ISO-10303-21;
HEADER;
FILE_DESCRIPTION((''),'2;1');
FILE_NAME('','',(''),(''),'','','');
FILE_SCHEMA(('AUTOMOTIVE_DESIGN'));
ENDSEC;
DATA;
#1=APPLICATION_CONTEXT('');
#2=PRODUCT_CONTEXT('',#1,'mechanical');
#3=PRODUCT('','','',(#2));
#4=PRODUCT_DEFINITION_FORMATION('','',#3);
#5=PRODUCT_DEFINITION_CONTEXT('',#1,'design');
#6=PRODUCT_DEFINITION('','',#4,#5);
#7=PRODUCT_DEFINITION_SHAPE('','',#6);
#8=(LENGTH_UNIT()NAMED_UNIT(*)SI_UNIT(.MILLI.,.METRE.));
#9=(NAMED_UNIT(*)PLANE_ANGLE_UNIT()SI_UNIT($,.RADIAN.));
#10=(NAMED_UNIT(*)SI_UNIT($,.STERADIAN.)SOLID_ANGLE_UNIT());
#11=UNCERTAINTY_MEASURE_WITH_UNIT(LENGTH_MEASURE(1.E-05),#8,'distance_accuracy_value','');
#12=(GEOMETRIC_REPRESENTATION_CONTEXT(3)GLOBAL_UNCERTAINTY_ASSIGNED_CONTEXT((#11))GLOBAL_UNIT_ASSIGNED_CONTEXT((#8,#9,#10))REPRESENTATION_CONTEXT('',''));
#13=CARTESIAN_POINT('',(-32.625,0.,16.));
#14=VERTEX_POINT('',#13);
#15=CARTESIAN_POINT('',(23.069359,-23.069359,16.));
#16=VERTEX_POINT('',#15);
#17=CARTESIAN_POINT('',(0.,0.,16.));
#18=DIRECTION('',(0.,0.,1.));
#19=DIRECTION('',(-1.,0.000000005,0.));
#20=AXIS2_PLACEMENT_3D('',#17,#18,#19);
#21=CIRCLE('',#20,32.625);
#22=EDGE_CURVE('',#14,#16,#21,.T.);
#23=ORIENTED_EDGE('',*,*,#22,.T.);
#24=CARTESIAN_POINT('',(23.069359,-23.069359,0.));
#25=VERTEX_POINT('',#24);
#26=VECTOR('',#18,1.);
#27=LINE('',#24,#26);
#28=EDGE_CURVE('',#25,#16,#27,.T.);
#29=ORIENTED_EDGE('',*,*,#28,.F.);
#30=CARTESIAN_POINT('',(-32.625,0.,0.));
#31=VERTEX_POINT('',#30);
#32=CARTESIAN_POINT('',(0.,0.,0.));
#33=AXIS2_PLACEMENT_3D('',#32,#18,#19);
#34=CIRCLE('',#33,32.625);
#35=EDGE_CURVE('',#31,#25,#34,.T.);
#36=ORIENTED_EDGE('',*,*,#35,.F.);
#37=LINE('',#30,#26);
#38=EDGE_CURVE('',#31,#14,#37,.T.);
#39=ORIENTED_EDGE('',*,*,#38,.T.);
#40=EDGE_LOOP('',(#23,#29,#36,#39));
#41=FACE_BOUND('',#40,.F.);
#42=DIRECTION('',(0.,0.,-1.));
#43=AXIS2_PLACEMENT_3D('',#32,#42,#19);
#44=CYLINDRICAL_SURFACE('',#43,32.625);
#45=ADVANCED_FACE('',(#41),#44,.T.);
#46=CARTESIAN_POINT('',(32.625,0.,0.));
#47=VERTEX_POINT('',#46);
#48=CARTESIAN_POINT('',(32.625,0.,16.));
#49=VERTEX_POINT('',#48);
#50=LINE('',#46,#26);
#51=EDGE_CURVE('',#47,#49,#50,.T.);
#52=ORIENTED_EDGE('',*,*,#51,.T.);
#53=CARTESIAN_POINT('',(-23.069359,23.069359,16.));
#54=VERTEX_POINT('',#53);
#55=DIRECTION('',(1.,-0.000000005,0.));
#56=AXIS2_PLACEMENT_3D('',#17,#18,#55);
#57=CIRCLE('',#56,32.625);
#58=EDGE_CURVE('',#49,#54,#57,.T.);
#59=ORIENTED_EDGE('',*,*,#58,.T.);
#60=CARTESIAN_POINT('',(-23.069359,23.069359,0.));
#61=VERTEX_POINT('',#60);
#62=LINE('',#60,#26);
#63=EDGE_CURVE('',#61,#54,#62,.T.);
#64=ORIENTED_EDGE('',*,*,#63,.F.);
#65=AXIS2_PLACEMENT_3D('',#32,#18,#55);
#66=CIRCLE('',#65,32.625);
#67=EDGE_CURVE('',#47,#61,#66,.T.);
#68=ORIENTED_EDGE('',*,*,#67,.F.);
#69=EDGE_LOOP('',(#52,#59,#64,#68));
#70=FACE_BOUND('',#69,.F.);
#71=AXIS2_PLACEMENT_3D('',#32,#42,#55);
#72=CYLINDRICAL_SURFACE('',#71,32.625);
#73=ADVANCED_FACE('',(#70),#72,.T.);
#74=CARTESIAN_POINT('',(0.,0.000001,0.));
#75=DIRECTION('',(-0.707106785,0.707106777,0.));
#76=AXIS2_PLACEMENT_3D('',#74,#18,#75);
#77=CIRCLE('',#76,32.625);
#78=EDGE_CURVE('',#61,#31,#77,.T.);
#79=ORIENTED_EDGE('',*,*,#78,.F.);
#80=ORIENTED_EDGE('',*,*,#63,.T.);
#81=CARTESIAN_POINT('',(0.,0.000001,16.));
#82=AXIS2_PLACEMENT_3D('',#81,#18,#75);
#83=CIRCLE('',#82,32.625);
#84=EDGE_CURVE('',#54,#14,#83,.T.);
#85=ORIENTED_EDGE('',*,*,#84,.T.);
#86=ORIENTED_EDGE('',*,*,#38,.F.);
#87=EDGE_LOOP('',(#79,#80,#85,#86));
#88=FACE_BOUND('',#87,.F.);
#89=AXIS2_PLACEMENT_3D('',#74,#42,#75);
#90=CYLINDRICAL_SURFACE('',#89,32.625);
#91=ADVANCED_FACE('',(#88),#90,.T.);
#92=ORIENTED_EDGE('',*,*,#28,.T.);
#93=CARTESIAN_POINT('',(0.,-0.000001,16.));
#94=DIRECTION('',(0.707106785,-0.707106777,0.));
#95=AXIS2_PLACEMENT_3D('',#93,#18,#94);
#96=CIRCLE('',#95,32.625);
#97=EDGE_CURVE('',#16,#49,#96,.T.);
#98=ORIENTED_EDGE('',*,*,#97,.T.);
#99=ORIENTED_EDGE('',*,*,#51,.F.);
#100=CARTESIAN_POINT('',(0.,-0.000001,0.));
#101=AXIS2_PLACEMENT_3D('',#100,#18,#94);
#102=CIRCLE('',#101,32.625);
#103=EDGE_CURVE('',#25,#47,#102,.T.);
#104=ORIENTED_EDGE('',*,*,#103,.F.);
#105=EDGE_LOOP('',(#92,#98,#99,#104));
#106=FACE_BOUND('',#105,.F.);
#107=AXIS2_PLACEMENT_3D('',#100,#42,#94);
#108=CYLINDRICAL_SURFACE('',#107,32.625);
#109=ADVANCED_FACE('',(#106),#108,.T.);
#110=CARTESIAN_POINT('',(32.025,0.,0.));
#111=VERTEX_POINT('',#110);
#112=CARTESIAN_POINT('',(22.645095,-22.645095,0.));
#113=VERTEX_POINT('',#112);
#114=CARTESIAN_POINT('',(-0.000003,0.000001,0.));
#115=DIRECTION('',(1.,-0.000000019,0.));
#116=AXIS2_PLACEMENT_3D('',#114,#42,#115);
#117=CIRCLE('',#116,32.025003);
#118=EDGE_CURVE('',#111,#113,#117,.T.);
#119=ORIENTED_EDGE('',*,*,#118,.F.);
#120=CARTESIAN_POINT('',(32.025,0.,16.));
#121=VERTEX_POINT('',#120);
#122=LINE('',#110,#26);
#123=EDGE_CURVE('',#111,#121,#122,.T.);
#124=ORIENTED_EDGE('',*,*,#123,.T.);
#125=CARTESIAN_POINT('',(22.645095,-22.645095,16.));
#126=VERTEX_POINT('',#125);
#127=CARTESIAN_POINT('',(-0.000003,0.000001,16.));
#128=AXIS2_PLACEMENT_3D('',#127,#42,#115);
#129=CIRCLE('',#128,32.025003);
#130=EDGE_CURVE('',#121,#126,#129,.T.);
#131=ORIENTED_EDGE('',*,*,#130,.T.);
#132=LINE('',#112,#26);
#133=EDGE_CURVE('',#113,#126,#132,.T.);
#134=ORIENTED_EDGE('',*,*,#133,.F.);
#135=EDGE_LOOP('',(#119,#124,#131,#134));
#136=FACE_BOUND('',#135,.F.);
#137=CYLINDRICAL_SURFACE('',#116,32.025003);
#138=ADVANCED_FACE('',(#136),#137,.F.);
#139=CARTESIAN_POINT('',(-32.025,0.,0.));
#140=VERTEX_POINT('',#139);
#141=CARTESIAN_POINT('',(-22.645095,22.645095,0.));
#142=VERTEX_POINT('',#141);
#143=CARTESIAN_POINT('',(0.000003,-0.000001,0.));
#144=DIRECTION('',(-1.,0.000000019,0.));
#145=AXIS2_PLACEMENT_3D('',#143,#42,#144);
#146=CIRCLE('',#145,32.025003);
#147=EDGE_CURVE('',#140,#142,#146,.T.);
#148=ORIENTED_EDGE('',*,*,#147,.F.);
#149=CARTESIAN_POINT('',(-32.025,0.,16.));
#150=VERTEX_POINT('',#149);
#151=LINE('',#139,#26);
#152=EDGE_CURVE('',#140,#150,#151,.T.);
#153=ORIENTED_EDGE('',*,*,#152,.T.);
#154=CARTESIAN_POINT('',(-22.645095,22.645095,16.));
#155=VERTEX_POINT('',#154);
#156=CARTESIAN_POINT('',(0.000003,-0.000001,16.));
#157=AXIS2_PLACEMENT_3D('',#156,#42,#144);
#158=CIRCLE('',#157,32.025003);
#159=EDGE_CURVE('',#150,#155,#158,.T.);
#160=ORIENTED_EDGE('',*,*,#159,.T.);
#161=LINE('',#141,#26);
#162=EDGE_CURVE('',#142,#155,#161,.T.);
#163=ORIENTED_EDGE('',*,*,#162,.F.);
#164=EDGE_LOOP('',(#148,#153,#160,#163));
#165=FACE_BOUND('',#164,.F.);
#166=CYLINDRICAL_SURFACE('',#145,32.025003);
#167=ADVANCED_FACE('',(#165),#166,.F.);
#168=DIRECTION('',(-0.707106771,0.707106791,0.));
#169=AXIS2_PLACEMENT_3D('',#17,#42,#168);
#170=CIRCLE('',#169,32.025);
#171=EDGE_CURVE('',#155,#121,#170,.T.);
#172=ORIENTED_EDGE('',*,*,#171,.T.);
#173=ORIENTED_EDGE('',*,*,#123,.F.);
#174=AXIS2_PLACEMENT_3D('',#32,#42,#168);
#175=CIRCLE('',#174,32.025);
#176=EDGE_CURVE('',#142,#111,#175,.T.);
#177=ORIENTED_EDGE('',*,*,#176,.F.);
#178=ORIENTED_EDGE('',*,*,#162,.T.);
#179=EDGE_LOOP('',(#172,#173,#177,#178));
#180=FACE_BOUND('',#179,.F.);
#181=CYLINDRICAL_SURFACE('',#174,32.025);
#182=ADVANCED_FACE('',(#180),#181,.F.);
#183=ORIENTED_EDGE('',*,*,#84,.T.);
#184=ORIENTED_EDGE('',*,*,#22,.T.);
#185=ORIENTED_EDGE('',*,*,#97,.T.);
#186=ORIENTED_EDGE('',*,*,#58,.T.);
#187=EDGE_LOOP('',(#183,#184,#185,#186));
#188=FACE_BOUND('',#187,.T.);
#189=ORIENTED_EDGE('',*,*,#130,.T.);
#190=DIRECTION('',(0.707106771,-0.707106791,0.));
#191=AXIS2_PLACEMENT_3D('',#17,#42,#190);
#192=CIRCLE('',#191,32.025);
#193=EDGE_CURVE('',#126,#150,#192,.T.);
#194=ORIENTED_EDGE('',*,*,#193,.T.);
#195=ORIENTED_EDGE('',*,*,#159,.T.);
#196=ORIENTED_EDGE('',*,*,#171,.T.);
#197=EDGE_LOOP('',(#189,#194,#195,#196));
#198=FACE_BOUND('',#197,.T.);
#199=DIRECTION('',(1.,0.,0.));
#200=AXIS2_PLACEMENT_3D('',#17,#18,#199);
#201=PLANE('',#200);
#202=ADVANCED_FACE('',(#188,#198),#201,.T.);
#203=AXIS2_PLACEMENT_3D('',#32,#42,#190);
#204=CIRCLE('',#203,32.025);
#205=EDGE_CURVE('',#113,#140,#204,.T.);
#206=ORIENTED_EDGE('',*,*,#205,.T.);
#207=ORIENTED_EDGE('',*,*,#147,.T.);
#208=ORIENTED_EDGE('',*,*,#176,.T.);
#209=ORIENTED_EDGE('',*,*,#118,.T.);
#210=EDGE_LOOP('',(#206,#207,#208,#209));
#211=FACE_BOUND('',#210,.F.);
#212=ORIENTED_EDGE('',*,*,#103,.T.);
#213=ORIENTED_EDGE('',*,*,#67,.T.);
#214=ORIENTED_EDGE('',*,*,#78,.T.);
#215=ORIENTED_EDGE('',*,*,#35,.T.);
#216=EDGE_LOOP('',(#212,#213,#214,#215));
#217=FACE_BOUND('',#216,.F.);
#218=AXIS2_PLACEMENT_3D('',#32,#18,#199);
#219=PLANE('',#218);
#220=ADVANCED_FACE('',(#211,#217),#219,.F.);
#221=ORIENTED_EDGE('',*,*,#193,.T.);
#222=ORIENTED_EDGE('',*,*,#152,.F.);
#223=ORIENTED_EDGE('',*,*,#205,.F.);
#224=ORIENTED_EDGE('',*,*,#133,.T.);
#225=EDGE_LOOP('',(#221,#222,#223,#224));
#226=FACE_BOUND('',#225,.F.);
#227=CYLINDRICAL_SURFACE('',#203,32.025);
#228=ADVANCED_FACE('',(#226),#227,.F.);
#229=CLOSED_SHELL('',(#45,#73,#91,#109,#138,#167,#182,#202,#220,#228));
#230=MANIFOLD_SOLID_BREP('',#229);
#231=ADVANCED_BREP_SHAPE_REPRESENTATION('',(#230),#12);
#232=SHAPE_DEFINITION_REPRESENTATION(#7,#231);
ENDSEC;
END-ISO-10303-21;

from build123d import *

# Parameters (mm, degrees)
F1_DEPTH = 16


with BuildPart() as f1:
    # F0 (on Top) → F1 (new body)
    with BuildSketch(Plane.XY):
        with BuildLine():
            ThreePointArc((-23.069359, 23.069359), (-30.14157, 12.485047), (-32.625, 0))
            ThreePointArc((-32.625, 0), (-12.485047, -30.14157), (23.069359, -23.069359))
            ThreePointArc((23.069359, -23.069359), (30.14157, -12.485047), (32.625, 0))
            ThreePointArc((32.625, 0), (12.485047, 30.14157), (-23.069359, 23.069359))
        make_face()
        with BuildLine():
            ThreePointArc((-22.645095, 22.645095), (12.255437, 29.587242), (32.025, 0))
            ThreePointArc((32.025, 0), (29.587242, -12.255437), (22.645095, -22.645095))
            ThreePointArc((22.645095, -22.645095), (-12.255437, -29.587242), (-32.025, 0))
            ThreePointArc((-32.025, 0), (-29.587242, 12.255437), (-22.645095, 22.645095))
        make_face(mode=Mode.SUBTRACT)
    extrude(amount=F1_DEPTH)


solid = f1.part
